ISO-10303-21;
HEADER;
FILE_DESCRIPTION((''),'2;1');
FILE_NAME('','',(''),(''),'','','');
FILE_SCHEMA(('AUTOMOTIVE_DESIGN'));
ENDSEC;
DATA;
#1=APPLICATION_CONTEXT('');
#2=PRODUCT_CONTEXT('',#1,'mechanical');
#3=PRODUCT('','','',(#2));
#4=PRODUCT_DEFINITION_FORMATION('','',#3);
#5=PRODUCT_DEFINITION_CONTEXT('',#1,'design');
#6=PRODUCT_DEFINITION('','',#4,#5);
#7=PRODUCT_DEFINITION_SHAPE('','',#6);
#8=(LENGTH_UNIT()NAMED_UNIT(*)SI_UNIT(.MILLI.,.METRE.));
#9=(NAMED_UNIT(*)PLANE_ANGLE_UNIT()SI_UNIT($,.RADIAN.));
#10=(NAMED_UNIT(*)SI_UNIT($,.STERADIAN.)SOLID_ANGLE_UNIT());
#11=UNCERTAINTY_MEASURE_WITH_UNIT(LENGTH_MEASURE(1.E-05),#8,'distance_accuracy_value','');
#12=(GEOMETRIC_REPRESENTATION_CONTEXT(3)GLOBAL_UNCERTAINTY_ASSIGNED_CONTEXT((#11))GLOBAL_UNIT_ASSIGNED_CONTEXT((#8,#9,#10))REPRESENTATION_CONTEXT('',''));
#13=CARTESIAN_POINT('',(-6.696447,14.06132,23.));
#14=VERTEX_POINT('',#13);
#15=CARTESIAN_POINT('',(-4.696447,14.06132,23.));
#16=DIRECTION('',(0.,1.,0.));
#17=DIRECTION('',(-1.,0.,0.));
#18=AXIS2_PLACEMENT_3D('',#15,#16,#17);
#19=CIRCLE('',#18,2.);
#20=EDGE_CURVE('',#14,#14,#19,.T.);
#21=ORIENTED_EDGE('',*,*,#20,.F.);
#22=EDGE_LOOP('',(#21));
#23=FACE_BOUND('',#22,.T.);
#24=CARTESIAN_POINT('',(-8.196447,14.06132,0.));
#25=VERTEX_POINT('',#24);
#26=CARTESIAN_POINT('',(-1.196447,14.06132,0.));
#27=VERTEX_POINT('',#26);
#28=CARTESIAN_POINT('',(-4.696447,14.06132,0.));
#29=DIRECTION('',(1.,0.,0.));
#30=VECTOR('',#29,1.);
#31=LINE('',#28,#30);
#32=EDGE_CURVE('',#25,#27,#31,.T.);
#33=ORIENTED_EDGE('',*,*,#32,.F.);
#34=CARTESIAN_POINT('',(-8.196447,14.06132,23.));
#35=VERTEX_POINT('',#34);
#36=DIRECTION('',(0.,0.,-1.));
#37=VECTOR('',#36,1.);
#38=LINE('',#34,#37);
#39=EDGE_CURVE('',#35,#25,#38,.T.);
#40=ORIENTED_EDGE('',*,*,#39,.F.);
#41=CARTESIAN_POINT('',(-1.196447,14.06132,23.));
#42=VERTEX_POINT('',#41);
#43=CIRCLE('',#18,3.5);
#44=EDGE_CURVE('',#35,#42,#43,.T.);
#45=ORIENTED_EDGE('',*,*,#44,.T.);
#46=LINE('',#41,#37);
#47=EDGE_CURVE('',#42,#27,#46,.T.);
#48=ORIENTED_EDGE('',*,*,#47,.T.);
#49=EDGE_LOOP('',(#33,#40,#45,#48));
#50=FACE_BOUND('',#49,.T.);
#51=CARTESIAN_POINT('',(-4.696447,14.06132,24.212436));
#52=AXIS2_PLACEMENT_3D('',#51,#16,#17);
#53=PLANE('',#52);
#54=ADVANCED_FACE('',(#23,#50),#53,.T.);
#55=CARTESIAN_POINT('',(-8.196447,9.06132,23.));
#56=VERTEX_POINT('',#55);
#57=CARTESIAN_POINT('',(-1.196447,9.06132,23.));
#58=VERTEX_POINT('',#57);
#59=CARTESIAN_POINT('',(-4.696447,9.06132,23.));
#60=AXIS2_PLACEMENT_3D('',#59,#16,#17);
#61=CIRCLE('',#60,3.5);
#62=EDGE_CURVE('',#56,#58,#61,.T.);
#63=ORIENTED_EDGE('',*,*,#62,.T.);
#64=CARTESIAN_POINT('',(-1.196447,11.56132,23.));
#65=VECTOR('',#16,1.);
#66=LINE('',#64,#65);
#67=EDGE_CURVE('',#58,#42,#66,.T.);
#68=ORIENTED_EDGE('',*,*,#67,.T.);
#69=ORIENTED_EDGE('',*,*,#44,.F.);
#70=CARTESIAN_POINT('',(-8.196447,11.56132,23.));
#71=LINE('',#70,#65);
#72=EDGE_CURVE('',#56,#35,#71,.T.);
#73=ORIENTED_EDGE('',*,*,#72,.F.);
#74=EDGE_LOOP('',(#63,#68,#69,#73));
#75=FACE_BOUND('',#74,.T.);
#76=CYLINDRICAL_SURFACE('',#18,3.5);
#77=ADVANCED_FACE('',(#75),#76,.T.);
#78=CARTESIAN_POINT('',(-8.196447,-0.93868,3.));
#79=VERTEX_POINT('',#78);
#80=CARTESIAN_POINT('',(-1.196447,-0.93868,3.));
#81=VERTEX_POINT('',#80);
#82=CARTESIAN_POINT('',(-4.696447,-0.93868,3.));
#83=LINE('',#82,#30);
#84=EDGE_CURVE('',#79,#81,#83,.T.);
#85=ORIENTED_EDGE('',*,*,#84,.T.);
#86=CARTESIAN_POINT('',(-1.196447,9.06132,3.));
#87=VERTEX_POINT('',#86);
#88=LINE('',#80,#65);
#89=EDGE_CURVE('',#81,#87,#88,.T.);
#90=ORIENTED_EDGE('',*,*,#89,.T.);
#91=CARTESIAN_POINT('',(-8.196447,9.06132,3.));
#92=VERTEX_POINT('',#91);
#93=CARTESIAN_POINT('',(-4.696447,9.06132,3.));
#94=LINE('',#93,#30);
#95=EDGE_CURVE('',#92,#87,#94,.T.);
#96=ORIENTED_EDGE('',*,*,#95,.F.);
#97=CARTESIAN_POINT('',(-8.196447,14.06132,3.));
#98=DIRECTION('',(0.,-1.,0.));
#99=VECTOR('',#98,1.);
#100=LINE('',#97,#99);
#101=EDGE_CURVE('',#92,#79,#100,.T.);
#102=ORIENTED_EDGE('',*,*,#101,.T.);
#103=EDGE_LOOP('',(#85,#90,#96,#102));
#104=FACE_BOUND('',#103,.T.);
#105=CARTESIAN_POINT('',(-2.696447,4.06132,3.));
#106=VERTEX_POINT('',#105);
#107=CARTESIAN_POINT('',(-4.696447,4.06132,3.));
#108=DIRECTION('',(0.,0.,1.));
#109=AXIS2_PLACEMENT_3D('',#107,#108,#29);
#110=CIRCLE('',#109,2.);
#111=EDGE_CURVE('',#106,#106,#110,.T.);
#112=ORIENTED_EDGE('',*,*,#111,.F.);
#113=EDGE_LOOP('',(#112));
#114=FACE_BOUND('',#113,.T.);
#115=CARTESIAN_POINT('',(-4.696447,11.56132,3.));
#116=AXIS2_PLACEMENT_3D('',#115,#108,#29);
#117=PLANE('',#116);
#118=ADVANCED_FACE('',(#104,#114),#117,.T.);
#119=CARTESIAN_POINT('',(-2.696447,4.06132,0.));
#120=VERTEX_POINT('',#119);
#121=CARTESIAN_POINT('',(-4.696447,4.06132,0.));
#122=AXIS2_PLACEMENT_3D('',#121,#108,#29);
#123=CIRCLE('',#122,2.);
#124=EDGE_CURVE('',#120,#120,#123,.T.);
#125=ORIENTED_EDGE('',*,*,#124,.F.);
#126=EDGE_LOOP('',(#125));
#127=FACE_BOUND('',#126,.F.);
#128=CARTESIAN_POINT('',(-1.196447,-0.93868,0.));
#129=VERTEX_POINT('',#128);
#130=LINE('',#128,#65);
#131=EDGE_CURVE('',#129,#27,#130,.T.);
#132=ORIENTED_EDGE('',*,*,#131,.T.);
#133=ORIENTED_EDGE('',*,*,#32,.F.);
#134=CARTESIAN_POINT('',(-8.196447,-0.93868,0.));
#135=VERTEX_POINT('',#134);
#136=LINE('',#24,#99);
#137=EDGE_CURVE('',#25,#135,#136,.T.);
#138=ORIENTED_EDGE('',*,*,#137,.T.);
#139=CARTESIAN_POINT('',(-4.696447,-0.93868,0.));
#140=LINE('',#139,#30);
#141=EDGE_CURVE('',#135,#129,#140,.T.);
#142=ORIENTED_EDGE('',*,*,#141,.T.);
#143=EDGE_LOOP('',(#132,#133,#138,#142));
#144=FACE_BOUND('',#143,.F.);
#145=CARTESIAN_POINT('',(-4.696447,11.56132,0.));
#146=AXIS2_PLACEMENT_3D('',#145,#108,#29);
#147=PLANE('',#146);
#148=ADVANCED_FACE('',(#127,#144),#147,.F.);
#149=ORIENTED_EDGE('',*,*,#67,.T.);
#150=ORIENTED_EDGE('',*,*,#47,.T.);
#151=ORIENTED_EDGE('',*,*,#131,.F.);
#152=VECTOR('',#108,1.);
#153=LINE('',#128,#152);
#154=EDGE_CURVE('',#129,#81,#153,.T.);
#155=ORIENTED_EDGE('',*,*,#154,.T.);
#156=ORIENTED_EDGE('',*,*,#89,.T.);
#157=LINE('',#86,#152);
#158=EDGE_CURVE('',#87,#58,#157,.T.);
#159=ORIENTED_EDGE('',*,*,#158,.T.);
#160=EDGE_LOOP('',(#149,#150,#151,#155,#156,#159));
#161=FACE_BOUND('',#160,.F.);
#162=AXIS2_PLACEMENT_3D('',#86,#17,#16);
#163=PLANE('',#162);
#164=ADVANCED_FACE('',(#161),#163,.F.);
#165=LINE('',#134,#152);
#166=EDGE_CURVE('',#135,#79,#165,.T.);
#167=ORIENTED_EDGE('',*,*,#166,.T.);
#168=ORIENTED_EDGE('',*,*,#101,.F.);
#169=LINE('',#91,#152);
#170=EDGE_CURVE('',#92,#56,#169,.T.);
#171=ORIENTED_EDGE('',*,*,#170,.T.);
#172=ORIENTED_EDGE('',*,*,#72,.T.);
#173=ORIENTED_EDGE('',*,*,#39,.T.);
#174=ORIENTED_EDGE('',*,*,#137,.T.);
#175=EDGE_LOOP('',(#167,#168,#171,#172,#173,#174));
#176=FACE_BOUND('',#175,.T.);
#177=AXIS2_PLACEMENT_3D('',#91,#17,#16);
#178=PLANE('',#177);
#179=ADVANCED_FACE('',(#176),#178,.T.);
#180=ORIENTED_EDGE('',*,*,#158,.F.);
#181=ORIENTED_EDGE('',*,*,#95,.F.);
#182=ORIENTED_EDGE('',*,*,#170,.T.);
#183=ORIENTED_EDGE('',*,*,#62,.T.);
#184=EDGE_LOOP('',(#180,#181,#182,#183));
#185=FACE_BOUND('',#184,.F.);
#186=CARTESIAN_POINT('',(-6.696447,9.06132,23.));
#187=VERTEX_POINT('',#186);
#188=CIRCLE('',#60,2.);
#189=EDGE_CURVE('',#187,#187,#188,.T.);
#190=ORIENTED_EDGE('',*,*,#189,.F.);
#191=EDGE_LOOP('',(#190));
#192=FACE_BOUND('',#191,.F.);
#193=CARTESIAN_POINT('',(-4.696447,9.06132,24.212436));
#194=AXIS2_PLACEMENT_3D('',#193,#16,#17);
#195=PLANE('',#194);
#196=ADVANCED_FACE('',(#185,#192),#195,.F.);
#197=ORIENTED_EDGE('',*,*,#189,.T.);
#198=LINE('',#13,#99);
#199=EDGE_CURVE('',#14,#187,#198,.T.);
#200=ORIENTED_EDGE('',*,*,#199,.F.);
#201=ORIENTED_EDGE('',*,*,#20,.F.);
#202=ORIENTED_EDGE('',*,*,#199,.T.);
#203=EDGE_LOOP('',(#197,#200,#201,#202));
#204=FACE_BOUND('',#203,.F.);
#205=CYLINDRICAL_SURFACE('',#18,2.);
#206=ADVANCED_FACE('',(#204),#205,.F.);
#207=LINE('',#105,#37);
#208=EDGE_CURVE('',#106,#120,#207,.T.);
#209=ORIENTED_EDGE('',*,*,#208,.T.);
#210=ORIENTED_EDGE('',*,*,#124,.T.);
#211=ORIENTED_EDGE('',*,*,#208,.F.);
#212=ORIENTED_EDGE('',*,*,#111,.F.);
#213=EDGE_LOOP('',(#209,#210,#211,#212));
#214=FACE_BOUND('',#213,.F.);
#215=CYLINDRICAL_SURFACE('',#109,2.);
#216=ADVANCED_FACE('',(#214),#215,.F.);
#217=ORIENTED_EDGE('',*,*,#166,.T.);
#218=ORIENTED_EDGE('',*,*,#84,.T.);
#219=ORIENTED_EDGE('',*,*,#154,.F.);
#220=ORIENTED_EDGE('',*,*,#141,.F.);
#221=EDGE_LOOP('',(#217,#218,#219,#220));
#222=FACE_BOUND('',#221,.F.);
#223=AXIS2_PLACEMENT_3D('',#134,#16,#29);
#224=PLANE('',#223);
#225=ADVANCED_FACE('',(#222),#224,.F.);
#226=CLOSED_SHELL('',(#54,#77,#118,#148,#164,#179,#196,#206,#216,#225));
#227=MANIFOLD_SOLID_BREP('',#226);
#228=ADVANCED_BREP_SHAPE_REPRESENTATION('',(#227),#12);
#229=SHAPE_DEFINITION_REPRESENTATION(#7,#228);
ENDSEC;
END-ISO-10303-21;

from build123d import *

# Parameters (mm, degrees)
F0_W     = 7
F0_H     = 5
F0_H_2   = 10
F1_DEPTH = 3
F2_W     = 7
F2_H     = 5
F3_DEPTH = 20
F5_DEPTH = 5
F6_R     = 2
F7_DEPTH = 5
F8_R     = 2
F9_DEPTH = 3


with BuildPart() as f1:
    # F0 (on Top) → F1 (new body)
    with BuildSketch(Plane.XY):
        with Locations((-4.6964466444, 11.5613198653)):
            Rectangle(F0_W, F0_H)
        with Locations((-4.6964466444, 4.0613198653)):
            Rectangle(F0_W, F0_H_2)
    extrude(amount=F1_DEPTH)

    # F2 (on face) → F3 (join)
    with BuildSketch(Plane.XY.offset(3)):
        with Locations((-4.6964466444, 11.5613198653)):
            Rectangle(F2_W, F2_H)
    extrude(amount=F3_DEPTH)

    # F4 (on face) → F5 (join, through all)
    with BuildSketch(Plane(origin=(0, 14.0613198653, 0), x_dir=(-1, 0, 0), z_dir=(0, 1, 0))):
        with BuildLine():
            Line((1.1964466444, 23), (8.1964466444, 23))
            ThreePointArc((8.1964466444, 23), (4.6964466444, 26.5), (1.1964466444, 23))
        make_face()
    extrude(amount=-F5_DEPTH)

    # F6 (on face) → F7 (cut, through all)
    with BuildSketch(Plane(origin=(0, 14.0613198653, 0), x_dir=(-1, 0, 0), z_dir=(0, 1, 0))):
        with Locations((4.6964466444, 23)):
            Circle(F6_R)
    extrude(amount=-F7_DEPTH, mode=Mode.SUBTRACT)

    # F8 (on face) → F9 (cut, through all)
    with BuildSketch(Plane.XY.offset(3)):
        with Locations((-4.6964466444, 4.0613198653)):
            Circle(F8_R)
    extrude(amount=-F9_DEPTH, mode=Mode.SUBTRACT)


solid = f1.part
